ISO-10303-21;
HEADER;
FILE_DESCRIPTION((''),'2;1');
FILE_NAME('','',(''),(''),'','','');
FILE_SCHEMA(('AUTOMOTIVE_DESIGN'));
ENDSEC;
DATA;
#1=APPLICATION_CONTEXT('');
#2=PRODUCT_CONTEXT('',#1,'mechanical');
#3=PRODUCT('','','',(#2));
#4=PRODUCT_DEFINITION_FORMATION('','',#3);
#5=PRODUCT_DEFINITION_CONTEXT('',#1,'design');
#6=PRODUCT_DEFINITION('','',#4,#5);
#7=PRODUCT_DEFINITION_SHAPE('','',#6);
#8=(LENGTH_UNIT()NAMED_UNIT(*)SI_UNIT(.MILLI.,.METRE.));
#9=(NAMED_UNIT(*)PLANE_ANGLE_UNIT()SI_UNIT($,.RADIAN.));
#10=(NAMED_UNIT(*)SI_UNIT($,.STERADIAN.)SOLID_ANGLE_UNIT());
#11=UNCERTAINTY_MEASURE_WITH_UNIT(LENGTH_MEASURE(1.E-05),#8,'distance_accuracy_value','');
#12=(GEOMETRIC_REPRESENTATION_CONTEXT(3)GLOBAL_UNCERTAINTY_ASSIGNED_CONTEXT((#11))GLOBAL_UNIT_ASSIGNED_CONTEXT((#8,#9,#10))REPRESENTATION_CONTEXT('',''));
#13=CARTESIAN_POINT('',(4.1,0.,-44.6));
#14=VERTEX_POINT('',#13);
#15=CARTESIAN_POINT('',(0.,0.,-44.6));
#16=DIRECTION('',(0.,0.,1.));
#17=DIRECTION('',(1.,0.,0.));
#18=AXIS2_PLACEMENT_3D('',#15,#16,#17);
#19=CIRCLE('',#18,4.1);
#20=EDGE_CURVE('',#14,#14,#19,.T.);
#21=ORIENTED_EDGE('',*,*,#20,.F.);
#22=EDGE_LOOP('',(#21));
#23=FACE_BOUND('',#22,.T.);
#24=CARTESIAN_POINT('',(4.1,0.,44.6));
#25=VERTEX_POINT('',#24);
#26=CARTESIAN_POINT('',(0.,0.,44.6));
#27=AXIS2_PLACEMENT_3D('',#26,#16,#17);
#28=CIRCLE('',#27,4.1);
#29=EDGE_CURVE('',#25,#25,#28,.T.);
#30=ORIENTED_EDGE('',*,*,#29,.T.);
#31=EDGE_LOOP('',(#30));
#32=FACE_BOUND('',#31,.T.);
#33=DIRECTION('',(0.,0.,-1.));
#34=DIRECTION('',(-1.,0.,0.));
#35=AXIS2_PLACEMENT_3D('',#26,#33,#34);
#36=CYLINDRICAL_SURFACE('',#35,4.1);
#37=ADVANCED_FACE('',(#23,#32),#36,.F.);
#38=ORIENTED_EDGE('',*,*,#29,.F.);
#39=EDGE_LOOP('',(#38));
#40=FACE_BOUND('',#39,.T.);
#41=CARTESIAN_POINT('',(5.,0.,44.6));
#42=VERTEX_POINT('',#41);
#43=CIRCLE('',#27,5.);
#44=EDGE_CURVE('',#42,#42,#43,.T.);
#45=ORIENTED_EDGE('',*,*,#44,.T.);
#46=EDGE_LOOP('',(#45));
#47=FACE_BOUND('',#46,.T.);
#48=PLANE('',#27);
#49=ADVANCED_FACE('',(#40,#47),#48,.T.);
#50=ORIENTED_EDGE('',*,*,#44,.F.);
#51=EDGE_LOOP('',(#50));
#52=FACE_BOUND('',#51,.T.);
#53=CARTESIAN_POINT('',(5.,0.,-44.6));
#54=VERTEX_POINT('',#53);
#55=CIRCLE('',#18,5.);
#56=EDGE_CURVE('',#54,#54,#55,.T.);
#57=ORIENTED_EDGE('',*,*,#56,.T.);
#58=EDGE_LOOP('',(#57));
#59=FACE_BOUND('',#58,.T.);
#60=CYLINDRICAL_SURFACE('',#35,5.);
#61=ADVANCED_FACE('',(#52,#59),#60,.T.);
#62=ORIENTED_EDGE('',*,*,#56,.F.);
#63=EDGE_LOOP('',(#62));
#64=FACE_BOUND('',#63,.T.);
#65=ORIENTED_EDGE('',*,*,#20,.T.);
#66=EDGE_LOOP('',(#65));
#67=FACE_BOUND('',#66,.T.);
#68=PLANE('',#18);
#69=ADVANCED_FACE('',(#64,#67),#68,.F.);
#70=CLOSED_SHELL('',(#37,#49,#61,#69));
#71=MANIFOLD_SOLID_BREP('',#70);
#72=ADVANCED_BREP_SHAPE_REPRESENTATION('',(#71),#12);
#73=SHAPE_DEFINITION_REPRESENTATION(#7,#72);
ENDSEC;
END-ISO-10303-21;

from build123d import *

# Parameters (mm, degrees)
ESQUISSE1_R        = 5
ESQUISSE1_R_2      = 4.1
BOSS_EXTRU_1_DEPTH = 44.6


with BuildPart() as part:
    # Esquisse1 → Boss.-Extru.1 (new, symmetric)
    with BuildSketch(Plane.XY):
        Circle(ESQUISSE1_R)
        Circle(ESQUISSE1_R_2, mode=Mode.SUBTRACT)
    extrude(amount=BOSS_EXTRU_1_DEPTH, both=True)


solid = part.part
